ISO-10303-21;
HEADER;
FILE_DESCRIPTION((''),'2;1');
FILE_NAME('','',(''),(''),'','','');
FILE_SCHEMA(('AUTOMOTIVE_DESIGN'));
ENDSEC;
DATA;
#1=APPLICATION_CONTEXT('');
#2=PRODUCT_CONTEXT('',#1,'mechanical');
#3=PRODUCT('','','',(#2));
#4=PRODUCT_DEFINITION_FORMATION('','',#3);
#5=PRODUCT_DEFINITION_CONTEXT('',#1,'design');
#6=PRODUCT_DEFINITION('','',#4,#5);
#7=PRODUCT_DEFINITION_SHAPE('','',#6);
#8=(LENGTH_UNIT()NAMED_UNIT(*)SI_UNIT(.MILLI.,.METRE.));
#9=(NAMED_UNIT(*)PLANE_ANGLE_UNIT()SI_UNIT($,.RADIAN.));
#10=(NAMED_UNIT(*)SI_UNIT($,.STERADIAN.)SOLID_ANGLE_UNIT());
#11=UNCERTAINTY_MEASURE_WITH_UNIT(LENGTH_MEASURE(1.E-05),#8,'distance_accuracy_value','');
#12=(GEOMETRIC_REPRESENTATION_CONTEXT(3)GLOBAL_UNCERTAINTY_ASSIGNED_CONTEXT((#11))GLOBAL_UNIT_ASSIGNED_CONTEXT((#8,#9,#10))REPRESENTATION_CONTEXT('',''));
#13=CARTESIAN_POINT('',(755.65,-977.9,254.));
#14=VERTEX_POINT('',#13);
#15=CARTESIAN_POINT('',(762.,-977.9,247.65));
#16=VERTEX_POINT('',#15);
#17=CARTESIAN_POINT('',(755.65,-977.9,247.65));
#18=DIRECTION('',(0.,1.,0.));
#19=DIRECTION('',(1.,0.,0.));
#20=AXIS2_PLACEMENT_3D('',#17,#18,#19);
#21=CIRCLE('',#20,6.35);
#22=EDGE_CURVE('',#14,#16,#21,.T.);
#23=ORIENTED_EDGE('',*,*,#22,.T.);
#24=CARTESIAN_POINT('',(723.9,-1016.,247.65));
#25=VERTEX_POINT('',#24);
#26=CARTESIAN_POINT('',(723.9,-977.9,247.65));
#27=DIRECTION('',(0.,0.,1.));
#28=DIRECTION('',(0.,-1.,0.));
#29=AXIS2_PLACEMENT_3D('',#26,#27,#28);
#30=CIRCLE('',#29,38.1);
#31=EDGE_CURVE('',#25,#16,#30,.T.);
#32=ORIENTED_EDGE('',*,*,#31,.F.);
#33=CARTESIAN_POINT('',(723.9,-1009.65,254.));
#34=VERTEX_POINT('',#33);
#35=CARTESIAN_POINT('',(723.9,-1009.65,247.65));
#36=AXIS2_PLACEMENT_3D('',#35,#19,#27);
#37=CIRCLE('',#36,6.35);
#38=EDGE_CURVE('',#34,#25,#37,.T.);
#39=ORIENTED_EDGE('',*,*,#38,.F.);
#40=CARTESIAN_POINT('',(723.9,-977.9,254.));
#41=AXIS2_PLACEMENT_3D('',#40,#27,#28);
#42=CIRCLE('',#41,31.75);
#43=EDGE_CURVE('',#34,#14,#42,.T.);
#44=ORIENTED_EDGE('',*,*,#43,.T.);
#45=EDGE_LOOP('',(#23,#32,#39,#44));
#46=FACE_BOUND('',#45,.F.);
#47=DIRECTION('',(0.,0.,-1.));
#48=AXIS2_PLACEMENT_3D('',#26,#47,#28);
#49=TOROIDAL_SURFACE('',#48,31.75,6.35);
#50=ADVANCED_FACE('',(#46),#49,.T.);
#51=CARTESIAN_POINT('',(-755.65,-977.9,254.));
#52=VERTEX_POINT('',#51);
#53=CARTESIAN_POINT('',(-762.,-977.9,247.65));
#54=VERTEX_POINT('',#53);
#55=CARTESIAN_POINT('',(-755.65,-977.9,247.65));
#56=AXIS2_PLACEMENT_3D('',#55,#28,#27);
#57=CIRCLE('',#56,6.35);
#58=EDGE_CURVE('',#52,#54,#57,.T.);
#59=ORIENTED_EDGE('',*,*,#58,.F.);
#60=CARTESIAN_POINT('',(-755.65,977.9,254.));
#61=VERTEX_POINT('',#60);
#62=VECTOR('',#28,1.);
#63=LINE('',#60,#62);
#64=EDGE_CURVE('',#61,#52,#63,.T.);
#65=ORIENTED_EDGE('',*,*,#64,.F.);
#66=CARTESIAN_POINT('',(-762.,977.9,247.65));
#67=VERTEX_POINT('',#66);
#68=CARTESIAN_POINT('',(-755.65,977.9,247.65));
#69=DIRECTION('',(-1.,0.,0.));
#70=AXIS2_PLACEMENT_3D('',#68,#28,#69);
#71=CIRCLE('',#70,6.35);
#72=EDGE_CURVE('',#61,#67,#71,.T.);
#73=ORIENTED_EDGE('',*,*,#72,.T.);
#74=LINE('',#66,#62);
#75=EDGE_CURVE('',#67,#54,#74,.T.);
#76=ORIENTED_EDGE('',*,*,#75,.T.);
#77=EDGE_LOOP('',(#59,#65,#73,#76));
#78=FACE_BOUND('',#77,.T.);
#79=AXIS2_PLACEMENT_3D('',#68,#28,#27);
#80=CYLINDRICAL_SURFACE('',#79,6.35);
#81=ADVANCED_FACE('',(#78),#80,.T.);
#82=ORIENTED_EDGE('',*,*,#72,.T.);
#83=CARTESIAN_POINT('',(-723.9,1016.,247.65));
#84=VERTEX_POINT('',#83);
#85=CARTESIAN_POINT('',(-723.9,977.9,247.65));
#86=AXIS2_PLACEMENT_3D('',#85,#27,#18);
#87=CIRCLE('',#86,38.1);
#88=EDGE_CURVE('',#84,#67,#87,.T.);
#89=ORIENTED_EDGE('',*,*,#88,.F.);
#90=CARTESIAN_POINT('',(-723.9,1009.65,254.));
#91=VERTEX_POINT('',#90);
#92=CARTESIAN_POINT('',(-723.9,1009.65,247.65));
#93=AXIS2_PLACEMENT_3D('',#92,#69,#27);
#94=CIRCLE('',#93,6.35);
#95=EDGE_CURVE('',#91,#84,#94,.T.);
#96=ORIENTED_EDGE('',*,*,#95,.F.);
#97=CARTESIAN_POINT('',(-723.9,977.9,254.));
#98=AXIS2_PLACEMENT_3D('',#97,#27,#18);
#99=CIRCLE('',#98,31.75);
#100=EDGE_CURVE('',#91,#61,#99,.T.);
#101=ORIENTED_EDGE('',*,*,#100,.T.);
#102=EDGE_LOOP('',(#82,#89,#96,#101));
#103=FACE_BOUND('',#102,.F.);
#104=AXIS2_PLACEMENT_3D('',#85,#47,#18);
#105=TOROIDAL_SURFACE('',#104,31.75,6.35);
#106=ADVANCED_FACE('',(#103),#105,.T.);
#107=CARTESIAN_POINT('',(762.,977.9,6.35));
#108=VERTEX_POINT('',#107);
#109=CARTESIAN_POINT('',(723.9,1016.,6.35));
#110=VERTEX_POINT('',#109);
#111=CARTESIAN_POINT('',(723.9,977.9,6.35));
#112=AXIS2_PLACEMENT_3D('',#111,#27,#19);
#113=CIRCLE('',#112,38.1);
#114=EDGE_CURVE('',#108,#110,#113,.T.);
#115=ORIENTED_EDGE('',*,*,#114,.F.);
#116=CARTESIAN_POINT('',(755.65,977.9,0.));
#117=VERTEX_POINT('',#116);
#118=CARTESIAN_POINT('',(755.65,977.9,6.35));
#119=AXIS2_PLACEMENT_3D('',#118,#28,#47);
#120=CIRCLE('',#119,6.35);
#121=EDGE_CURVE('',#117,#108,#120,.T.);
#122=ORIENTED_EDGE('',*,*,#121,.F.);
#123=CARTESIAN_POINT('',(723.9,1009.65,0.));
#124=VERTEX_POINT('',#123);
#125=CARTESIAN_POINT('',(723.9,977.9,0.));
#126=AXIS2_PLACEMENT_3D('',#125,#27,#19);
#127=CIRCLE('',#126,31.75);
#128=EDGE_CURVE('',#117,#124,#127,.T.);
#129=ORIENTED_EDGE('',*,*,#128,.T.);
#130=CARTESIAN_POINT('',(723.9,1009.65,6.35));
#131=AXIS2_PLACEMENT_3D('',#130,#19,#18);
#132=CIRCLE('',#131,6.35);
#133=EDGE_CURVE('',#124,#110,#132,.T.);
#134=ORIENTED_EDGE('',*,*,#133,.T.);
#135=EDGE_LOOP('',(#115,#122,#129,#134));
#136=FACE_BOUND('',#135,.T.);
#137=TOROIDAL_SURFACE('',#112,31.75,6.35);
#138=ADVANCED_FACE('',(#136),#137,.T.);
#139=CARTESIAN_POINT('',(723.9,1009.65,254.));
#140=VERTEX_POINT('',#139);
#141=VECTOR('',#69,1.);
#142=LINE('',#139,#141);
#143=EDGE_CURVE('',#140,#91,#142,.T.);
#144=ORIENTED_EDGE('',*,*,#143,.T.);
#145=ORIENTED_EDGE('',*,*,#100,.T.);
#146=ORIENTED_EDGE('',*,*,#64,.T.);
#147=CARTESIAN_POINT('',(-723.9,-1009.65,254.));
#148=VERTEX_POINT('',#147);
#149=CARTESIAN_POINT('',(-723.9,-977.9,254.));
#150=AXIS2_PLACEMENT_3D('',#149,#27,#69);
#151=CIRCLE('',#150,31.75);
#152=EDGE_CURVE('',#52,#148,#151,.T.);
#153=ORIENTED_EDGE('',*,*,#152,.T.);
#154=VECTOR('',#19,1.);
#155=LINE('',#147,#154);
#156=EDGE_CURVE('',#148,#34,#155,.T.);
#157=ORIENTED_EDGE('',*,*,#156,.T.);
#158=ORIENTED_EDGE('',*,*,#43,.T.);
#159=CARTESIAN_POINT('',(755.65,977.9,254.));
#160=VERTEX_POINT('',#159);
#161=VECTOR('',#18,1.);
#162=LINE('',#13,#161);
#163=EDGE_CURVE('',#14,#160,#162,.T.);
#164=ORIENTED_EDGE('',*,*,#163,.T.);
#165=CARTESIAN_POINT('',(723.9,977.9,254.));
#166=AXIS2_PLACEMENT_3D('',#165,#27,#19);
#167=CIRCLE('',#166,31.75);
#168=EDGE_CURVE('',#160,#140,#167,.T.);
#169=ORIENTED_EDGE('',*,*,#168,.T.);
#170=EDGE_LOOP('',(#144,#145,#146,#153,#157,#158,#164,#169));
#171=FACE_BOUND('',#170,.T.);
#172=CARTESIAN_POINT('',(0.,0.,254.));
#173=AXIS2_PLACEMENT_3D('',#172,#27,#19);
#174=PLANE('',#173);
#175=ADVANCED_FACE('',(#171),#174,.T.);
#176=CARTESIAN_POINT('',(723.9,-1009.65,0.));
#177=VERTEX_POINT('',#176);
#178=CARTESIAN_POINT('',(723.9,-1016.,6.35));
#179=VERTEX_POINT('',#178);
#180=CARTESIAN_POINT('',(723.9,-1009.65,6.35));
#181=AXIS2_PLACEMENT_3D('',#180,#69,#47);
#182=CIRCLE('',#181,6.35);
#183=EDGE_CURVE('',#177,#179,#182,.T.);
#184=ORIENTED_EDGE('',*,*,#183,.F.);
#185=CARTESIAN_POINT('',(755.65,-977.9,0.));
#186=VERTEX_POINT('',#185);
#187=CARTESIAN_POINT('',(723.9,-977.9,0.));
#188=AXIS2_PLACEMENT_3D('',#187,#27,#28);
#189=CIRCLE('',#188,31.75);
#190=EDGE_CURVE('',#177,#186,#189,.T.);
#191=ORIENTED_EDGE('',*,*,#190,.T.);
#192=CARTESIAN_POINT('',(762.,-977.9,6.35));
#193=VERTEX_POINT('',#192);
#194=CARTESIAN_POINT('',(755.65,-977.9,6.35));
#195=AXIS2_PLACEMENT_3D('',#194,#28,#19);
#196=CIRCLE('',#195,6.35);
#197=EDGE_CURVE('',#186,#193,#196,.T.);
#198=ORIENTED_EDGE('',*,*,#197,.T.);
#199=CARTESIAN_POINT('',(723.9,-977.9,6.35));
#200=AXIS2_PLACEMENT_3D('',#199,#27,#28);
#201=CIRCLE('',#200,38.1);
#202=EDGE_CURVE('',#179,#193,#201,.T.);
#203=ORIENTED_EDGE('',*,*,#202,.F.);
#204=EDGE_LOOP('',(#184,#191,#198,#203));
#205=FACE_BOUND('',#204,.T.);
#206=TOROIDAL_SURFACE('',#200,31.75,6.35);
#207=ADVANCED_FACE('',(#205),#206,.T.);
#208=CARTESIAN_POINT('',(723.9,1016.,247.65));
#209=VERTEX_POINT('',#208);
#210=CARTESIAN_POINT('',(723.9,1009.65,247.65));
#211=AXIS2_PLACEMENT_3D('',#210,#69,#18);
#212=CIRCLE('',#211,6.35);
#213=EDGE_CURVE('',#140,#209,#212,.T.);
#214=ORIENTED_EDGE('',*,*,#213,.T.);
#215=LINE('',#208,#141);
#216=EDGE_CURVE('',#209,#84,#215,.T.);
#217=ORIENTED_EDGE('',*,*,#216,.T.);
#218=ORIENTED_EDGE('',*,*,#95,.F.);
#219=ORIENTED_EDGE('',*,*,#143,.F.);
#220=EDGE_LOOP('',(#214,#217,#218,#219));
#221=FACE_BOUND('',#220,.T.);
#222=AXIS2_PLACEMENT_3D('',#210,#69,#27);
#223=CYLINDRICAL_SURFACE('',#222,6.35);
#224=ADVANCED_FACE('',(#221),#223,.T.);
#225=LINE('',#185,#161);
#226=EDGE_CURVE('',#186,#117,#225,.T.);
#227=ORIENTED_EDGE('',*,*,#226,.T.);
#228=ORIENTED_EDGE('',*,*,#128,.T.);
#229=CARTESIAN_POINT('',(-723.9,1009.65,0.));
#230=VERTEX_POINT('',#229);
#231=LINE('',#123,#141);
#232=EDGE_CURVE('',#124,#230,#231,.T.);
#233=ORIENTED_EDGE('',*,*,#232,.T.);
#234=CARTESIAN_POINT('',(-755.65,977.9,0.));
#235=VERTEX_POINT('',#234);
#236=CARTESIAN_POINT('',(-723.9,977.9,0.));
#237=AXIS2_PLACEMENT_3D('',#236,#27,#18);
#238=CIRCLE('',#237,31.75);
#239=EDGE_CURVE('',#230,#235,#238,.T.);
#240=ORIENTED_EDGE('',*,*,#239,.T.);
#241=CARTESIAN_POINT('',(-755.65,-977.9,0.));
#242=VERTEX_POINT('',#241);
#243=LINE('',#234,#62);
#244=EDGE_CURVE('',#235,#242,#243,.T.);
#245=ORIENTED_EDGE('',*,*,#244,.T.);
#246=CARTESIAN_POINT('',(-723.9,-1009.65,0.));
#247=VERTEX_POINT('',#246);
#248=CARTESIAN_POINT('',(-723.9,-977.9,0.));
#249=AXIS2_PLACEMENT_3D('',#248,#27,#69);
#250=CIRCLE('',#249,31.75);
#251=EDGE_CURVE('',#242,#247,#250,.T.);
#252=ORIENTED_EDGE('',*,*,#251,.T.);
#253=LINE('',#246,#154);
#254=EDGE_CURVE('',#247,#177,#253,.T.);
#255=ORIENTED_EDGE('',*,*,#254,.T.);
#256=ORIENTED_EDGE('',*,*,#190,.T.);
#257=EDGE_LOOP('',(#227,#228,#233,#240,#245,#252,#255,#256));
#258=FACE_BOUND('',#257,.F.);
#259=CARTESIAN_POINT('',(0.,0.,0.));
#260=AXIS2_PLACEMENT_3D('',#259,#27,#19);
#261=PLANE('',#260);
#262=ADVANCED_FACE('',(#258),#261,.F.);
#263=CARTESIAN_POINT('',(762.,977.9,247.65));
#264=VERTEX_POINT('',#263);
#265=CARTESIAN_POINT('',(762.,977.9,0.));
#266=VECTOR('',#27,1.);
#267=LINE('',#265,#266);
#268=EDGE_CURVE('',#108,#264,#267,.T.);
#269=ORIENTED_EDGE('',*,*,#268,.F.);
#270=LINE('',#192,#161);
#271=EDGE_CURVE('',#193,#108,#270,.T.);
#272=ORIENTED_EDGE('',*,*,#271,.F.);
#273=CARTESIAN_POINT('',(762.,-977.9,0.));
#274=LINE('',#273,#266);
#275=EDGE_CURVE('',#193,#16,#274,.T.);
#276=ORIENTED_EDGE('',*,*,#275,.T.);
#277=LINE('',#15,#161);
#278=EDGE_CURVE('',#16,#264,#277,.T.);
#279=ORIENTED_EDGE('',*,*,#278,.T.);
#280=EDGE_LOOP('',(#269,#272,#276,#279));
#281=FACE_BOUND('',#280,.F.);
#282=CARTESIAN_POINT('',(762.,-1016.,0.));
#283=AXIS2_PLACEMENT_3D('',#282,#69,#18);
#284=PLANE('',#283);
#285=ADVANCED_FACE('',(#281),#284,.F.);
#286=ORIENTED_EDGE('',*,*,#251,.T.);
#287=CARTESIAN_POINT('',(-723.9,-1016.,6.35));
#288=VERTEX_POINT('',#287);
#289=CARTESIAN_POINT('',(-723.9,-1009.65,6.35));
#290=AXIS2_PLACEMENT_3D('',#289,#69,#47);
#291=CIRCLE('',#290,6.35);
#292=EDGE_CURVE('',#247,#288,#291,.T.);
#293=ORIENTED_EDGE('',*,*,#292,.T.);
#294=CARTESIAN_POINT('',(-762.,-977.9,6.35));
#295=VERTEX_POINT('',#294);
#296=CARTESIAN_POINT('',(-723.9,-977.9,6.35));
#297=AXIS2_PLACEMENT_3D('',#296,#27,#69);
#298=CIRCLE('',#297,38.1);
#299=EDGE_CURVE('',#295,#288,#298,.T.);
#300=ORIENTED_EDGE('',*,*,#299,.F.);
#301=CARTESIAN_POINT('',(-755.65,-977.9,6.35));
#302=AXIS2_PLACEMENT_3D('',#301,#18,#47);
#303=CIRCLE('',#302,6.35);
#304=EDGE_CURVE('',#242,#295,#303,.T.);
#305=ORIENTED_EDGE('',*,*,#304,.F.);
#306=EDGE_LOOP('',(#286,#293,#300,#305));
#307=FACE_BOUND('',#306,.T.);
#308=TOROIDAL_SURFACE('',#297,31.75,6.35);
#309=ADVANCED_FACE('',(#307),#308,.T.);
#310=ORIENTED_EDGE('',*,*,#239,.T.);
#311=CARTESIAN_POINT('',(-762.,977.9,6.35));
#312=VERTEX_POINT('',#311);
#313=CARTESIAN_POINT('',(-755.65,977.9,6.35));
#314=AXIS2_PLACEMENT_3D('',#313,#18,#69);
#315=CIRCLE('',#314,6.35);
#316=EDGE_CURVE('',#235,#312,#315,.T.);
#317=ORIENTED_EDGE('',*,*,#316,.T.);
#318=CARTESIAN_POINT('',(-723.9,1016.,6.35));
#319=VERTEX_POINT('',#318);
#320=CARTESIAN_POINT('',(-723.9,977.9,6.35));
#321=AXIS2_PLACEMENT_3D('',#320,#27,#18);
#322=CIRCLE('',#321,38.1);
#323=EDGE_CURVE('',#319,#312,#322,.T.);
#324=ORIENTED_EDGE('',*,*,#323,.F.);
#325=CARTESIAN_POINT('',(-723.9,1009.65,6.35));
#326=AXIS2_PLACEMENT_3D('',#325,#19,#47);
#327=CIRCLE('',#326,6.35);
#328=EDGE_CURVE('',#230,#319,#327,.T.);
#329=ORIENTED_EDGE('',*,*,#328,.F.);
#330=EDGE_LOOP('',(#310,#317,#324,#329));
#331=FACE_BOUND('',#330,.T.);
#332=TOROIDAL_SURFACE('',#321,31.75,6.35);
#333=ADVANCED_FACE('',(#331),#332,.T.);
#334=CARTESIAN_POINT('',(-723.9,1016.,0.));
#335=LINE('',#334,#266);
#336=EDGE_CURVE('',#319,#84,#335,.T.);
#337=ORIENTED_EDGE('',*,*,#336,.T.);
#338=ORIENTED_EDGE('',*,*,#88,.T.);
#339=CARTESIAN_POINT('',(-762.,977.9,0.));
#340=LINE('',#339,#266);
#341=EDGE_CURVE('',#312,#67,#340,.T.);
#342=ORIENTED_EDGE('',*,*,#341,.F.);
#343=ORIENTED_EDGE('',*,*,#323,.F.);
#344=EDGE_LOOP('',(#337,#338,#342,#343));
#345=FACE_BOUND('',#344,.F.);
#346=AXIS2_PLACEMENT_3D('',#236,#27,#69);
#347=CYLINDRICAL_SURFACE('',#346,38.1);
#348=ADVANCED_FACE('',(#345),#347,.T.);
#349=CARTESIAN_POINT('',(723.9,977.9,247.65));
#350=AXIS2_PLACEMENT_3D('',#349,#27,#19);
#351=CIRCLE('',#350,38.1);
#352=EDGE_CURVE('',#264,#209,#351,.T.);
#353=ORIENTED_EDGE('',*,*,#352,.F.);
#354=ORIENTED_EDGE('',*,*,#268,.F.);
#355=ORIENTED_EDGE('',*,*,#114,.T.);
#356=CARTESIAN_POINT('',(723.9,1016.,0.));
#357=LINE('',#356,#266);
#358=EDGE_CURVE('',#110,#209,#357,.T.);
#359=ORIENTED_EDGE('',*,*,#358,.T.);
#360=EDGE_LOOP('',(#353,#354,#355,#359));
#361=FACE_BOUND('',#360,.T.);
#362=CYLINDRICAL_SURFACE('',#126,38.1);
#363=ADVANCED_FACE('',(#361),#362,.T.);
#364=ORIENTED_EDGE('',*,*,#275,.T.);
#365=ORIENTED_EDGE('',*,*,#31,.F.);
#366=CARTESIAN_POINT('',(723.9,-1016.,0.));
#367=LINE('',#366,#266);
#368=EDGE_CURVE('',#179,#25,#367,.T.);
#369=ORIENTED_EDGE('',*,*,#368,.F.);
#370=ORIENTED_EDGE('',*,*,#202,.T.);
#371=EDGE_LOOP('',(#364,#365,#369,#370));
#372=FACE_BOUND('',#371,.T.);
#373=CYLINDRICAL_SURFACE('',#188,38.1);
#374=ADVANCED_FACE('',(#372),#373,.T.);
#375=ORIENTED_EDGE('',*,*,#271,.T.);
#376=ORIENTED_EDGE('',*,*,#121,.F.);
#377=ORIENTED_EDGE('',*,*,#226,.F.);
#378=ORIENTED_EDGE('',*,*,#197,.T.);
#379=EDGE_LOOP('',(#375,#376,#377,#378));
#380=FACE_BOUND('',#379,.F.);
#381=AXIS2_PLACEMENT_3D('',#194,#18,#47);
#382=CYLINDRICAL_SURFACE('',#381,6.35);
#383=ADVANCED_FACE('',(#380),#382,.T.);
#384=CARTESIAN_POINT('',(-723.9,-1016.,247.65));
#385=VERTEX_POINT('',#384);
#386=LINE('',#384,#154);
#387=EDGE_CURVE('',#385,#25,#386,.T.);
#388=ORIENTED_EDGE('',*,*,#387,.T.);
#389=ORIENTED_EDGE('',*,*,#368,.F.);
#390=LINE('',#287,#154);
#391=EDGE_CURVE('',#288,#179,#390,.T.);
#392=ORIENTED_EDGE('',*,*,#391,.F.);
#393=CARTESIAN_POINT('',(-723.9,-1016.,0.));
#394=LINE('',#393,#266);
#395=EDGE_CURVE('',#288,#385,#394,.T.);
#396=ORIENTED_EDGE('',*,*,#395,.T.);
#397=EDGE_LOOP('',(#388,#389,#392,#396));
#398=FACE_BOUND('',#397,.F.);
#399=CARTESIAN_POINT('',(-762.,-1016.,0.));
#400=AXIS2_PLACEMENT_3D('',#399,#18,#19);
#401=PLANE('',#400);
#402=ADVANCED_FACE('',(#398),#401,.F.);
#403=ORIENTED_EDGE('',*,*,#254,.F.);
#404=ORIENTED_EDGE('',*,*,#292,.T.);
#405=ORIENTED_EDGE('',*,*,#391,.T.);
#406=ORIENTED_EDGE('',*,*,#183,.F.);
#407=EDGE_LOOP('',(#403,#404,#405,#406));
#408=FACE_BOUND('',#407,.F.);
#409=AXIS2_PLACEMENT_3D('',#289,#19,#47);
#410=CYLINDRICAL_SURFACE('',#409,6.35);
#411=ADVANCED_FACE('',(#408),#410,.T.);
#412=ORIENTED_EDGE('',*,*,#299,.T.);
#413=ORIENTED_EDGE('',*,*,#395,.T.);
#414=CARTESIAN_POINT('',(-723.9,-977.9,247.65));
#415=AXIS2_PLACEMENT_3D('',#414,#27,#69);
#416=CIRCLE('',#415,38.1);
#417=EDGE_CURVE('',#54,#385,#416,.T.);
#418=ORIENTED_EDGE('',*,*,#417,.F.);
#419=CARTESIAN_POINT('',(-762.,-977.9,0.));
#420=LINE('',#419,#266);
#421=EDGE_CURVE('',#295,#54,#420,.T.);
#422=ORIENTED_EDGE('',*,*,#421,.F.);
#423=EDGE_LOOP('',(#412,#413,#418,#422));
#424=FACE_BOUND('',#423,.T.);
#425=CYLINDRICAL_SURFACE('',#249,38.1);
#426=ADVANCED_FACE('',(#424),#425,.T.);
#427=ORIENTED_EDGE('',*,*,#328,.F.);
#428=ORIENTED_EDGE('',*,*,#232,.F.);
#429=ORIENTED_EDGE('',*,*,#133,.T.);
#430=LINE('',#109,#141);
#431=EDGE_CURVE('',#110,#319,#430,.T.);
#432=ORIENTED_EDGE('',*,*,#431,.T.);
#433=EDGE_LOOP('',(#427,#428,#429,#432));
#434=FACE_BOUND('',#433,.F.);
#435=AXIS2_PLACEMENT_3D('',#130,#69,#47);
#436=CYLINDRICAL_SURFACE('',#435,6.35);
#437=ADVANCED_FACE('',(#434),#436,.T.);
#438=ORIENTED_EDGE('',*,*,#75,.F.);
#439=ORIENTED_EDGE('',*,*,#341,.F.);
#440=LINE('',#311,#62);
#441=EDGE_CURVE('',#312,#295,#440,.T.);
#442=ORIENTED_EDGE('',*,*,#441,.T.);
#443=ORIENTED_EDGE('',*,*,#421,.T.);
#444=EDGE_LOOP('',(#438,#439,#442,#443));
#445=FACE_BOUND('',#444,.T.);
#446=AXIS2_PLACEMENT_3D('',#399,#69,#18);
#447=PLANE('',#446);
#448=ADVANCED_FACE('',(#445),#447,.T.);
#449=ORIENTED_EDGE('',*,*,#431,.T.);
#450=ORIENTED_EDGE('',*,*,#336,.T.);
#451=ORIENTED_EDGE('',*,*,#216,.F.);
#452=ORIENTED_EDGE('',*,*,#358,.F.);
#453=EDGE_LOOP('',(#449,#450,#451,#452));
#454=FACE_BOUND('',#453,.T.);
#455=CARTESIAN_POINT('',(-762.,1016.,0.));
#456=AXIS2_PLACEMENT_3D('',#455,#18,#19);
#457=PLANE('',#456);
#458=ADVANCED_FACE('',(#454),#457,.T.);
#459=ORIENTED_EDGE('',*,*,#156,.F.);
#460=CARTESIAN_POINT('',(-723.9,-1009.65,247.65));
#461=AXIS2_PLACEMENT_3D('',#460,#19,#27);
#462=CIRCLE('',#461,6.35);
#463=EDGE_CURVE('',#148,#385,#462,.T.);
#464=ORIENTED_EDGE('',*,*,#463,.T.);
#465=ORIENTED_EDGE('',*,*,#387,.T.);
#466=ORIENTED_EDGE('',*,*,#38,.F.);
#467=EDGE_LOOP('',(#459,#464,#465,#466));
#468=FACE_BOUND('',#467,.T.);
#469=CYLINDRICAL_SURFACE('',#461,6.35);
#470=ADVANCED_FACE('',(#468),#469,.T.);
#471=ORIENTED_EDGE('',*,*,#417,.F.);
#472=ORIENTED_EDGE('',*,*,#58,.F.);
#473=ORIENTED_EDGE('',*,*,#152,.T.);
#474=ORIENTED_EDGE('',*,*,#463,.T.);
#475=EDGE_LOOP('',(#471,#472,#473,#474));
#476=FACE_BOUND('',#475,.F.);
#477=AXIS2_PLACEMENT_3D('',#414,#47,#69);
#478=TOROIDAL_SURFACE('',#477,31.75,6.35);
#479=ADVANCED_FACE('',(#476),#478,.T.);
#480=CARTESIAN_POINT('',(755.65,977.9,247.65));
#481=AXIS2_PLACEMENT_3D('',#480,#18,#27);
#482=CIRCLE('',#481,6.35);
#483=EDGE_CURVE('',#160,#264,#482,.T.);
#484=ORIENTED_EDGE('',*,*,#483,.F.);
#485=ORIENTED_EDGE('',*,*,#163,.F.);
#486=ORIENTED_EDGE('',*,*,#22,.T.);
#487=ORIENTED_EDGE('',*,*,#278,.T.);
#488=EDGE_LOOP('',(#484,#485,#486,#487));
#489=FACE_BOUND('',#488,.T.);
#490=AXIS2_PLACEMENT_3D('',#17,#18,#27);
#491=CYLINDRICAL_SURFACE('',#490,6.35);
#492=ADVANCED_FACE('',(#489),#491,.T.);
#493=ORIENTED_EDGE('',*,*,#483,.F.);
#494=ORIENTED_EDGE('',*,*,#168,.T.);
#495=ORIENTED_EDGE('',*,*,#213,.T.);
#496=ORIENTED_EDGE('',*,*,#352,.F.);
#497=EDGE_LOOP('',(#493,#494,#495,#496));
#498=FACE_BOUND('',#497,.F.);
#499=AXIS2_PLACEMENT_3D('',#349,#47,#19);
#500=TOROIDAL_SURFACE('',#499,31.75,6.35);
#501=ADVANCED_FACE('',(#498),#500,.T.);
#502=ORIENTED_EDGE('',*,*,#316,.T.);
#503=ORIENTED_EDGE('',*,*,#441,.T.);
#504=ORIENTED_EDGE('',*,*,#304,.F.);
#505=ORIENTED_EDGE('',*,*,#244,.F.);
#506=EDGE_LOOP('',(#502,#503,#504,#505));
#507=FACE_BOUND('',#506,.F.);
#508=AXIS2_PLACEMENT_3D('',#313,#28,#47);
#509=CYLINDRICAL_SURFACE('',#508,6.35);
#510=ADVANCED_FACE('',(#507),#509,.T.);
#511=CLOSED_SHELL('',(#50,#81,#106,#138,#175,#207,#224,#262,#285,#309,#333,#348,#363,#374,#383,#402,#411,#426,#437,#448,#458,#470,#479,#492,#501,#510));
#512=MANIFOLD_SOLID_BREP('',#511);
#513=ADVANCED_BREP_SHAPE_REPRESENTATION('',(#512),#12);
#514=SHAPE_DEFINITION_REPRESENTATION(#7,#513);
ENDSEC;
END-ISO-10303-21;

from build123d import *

# Parameters (mm, degrees)
F0_W     = 1524
F0_H     = 2032
F1_DEPTH = 254
F2_R     = 38.1
F3_R     = 6.35


with BuildPart() as f1:
    # F0 (on Top) → F1 (new body)
    with BuildSketch(Plane.XY):
        Rectangle(F0_W, F0_H)
    extrude(amount=F1_DEPTH)

    # F2
    f2_edges = [f1.edges().sort_by_distance(p)[0] for p in [
        (-762, -1016, 127),
        (762, -1016, 127),
        (762, 1016, 127),
        (-762, 1016, 127),
    ]]
    fillet(f2_edges, radius=F2_R)

    # F3
    f3_edges = [f1.edges().sort_by_distance(p)[0] for p in [
        (0, -1016, 254),
        (0, -1016, 0),
    ]]
    fillet(f3_edges, radius=F3_R)


solid = f1.part
